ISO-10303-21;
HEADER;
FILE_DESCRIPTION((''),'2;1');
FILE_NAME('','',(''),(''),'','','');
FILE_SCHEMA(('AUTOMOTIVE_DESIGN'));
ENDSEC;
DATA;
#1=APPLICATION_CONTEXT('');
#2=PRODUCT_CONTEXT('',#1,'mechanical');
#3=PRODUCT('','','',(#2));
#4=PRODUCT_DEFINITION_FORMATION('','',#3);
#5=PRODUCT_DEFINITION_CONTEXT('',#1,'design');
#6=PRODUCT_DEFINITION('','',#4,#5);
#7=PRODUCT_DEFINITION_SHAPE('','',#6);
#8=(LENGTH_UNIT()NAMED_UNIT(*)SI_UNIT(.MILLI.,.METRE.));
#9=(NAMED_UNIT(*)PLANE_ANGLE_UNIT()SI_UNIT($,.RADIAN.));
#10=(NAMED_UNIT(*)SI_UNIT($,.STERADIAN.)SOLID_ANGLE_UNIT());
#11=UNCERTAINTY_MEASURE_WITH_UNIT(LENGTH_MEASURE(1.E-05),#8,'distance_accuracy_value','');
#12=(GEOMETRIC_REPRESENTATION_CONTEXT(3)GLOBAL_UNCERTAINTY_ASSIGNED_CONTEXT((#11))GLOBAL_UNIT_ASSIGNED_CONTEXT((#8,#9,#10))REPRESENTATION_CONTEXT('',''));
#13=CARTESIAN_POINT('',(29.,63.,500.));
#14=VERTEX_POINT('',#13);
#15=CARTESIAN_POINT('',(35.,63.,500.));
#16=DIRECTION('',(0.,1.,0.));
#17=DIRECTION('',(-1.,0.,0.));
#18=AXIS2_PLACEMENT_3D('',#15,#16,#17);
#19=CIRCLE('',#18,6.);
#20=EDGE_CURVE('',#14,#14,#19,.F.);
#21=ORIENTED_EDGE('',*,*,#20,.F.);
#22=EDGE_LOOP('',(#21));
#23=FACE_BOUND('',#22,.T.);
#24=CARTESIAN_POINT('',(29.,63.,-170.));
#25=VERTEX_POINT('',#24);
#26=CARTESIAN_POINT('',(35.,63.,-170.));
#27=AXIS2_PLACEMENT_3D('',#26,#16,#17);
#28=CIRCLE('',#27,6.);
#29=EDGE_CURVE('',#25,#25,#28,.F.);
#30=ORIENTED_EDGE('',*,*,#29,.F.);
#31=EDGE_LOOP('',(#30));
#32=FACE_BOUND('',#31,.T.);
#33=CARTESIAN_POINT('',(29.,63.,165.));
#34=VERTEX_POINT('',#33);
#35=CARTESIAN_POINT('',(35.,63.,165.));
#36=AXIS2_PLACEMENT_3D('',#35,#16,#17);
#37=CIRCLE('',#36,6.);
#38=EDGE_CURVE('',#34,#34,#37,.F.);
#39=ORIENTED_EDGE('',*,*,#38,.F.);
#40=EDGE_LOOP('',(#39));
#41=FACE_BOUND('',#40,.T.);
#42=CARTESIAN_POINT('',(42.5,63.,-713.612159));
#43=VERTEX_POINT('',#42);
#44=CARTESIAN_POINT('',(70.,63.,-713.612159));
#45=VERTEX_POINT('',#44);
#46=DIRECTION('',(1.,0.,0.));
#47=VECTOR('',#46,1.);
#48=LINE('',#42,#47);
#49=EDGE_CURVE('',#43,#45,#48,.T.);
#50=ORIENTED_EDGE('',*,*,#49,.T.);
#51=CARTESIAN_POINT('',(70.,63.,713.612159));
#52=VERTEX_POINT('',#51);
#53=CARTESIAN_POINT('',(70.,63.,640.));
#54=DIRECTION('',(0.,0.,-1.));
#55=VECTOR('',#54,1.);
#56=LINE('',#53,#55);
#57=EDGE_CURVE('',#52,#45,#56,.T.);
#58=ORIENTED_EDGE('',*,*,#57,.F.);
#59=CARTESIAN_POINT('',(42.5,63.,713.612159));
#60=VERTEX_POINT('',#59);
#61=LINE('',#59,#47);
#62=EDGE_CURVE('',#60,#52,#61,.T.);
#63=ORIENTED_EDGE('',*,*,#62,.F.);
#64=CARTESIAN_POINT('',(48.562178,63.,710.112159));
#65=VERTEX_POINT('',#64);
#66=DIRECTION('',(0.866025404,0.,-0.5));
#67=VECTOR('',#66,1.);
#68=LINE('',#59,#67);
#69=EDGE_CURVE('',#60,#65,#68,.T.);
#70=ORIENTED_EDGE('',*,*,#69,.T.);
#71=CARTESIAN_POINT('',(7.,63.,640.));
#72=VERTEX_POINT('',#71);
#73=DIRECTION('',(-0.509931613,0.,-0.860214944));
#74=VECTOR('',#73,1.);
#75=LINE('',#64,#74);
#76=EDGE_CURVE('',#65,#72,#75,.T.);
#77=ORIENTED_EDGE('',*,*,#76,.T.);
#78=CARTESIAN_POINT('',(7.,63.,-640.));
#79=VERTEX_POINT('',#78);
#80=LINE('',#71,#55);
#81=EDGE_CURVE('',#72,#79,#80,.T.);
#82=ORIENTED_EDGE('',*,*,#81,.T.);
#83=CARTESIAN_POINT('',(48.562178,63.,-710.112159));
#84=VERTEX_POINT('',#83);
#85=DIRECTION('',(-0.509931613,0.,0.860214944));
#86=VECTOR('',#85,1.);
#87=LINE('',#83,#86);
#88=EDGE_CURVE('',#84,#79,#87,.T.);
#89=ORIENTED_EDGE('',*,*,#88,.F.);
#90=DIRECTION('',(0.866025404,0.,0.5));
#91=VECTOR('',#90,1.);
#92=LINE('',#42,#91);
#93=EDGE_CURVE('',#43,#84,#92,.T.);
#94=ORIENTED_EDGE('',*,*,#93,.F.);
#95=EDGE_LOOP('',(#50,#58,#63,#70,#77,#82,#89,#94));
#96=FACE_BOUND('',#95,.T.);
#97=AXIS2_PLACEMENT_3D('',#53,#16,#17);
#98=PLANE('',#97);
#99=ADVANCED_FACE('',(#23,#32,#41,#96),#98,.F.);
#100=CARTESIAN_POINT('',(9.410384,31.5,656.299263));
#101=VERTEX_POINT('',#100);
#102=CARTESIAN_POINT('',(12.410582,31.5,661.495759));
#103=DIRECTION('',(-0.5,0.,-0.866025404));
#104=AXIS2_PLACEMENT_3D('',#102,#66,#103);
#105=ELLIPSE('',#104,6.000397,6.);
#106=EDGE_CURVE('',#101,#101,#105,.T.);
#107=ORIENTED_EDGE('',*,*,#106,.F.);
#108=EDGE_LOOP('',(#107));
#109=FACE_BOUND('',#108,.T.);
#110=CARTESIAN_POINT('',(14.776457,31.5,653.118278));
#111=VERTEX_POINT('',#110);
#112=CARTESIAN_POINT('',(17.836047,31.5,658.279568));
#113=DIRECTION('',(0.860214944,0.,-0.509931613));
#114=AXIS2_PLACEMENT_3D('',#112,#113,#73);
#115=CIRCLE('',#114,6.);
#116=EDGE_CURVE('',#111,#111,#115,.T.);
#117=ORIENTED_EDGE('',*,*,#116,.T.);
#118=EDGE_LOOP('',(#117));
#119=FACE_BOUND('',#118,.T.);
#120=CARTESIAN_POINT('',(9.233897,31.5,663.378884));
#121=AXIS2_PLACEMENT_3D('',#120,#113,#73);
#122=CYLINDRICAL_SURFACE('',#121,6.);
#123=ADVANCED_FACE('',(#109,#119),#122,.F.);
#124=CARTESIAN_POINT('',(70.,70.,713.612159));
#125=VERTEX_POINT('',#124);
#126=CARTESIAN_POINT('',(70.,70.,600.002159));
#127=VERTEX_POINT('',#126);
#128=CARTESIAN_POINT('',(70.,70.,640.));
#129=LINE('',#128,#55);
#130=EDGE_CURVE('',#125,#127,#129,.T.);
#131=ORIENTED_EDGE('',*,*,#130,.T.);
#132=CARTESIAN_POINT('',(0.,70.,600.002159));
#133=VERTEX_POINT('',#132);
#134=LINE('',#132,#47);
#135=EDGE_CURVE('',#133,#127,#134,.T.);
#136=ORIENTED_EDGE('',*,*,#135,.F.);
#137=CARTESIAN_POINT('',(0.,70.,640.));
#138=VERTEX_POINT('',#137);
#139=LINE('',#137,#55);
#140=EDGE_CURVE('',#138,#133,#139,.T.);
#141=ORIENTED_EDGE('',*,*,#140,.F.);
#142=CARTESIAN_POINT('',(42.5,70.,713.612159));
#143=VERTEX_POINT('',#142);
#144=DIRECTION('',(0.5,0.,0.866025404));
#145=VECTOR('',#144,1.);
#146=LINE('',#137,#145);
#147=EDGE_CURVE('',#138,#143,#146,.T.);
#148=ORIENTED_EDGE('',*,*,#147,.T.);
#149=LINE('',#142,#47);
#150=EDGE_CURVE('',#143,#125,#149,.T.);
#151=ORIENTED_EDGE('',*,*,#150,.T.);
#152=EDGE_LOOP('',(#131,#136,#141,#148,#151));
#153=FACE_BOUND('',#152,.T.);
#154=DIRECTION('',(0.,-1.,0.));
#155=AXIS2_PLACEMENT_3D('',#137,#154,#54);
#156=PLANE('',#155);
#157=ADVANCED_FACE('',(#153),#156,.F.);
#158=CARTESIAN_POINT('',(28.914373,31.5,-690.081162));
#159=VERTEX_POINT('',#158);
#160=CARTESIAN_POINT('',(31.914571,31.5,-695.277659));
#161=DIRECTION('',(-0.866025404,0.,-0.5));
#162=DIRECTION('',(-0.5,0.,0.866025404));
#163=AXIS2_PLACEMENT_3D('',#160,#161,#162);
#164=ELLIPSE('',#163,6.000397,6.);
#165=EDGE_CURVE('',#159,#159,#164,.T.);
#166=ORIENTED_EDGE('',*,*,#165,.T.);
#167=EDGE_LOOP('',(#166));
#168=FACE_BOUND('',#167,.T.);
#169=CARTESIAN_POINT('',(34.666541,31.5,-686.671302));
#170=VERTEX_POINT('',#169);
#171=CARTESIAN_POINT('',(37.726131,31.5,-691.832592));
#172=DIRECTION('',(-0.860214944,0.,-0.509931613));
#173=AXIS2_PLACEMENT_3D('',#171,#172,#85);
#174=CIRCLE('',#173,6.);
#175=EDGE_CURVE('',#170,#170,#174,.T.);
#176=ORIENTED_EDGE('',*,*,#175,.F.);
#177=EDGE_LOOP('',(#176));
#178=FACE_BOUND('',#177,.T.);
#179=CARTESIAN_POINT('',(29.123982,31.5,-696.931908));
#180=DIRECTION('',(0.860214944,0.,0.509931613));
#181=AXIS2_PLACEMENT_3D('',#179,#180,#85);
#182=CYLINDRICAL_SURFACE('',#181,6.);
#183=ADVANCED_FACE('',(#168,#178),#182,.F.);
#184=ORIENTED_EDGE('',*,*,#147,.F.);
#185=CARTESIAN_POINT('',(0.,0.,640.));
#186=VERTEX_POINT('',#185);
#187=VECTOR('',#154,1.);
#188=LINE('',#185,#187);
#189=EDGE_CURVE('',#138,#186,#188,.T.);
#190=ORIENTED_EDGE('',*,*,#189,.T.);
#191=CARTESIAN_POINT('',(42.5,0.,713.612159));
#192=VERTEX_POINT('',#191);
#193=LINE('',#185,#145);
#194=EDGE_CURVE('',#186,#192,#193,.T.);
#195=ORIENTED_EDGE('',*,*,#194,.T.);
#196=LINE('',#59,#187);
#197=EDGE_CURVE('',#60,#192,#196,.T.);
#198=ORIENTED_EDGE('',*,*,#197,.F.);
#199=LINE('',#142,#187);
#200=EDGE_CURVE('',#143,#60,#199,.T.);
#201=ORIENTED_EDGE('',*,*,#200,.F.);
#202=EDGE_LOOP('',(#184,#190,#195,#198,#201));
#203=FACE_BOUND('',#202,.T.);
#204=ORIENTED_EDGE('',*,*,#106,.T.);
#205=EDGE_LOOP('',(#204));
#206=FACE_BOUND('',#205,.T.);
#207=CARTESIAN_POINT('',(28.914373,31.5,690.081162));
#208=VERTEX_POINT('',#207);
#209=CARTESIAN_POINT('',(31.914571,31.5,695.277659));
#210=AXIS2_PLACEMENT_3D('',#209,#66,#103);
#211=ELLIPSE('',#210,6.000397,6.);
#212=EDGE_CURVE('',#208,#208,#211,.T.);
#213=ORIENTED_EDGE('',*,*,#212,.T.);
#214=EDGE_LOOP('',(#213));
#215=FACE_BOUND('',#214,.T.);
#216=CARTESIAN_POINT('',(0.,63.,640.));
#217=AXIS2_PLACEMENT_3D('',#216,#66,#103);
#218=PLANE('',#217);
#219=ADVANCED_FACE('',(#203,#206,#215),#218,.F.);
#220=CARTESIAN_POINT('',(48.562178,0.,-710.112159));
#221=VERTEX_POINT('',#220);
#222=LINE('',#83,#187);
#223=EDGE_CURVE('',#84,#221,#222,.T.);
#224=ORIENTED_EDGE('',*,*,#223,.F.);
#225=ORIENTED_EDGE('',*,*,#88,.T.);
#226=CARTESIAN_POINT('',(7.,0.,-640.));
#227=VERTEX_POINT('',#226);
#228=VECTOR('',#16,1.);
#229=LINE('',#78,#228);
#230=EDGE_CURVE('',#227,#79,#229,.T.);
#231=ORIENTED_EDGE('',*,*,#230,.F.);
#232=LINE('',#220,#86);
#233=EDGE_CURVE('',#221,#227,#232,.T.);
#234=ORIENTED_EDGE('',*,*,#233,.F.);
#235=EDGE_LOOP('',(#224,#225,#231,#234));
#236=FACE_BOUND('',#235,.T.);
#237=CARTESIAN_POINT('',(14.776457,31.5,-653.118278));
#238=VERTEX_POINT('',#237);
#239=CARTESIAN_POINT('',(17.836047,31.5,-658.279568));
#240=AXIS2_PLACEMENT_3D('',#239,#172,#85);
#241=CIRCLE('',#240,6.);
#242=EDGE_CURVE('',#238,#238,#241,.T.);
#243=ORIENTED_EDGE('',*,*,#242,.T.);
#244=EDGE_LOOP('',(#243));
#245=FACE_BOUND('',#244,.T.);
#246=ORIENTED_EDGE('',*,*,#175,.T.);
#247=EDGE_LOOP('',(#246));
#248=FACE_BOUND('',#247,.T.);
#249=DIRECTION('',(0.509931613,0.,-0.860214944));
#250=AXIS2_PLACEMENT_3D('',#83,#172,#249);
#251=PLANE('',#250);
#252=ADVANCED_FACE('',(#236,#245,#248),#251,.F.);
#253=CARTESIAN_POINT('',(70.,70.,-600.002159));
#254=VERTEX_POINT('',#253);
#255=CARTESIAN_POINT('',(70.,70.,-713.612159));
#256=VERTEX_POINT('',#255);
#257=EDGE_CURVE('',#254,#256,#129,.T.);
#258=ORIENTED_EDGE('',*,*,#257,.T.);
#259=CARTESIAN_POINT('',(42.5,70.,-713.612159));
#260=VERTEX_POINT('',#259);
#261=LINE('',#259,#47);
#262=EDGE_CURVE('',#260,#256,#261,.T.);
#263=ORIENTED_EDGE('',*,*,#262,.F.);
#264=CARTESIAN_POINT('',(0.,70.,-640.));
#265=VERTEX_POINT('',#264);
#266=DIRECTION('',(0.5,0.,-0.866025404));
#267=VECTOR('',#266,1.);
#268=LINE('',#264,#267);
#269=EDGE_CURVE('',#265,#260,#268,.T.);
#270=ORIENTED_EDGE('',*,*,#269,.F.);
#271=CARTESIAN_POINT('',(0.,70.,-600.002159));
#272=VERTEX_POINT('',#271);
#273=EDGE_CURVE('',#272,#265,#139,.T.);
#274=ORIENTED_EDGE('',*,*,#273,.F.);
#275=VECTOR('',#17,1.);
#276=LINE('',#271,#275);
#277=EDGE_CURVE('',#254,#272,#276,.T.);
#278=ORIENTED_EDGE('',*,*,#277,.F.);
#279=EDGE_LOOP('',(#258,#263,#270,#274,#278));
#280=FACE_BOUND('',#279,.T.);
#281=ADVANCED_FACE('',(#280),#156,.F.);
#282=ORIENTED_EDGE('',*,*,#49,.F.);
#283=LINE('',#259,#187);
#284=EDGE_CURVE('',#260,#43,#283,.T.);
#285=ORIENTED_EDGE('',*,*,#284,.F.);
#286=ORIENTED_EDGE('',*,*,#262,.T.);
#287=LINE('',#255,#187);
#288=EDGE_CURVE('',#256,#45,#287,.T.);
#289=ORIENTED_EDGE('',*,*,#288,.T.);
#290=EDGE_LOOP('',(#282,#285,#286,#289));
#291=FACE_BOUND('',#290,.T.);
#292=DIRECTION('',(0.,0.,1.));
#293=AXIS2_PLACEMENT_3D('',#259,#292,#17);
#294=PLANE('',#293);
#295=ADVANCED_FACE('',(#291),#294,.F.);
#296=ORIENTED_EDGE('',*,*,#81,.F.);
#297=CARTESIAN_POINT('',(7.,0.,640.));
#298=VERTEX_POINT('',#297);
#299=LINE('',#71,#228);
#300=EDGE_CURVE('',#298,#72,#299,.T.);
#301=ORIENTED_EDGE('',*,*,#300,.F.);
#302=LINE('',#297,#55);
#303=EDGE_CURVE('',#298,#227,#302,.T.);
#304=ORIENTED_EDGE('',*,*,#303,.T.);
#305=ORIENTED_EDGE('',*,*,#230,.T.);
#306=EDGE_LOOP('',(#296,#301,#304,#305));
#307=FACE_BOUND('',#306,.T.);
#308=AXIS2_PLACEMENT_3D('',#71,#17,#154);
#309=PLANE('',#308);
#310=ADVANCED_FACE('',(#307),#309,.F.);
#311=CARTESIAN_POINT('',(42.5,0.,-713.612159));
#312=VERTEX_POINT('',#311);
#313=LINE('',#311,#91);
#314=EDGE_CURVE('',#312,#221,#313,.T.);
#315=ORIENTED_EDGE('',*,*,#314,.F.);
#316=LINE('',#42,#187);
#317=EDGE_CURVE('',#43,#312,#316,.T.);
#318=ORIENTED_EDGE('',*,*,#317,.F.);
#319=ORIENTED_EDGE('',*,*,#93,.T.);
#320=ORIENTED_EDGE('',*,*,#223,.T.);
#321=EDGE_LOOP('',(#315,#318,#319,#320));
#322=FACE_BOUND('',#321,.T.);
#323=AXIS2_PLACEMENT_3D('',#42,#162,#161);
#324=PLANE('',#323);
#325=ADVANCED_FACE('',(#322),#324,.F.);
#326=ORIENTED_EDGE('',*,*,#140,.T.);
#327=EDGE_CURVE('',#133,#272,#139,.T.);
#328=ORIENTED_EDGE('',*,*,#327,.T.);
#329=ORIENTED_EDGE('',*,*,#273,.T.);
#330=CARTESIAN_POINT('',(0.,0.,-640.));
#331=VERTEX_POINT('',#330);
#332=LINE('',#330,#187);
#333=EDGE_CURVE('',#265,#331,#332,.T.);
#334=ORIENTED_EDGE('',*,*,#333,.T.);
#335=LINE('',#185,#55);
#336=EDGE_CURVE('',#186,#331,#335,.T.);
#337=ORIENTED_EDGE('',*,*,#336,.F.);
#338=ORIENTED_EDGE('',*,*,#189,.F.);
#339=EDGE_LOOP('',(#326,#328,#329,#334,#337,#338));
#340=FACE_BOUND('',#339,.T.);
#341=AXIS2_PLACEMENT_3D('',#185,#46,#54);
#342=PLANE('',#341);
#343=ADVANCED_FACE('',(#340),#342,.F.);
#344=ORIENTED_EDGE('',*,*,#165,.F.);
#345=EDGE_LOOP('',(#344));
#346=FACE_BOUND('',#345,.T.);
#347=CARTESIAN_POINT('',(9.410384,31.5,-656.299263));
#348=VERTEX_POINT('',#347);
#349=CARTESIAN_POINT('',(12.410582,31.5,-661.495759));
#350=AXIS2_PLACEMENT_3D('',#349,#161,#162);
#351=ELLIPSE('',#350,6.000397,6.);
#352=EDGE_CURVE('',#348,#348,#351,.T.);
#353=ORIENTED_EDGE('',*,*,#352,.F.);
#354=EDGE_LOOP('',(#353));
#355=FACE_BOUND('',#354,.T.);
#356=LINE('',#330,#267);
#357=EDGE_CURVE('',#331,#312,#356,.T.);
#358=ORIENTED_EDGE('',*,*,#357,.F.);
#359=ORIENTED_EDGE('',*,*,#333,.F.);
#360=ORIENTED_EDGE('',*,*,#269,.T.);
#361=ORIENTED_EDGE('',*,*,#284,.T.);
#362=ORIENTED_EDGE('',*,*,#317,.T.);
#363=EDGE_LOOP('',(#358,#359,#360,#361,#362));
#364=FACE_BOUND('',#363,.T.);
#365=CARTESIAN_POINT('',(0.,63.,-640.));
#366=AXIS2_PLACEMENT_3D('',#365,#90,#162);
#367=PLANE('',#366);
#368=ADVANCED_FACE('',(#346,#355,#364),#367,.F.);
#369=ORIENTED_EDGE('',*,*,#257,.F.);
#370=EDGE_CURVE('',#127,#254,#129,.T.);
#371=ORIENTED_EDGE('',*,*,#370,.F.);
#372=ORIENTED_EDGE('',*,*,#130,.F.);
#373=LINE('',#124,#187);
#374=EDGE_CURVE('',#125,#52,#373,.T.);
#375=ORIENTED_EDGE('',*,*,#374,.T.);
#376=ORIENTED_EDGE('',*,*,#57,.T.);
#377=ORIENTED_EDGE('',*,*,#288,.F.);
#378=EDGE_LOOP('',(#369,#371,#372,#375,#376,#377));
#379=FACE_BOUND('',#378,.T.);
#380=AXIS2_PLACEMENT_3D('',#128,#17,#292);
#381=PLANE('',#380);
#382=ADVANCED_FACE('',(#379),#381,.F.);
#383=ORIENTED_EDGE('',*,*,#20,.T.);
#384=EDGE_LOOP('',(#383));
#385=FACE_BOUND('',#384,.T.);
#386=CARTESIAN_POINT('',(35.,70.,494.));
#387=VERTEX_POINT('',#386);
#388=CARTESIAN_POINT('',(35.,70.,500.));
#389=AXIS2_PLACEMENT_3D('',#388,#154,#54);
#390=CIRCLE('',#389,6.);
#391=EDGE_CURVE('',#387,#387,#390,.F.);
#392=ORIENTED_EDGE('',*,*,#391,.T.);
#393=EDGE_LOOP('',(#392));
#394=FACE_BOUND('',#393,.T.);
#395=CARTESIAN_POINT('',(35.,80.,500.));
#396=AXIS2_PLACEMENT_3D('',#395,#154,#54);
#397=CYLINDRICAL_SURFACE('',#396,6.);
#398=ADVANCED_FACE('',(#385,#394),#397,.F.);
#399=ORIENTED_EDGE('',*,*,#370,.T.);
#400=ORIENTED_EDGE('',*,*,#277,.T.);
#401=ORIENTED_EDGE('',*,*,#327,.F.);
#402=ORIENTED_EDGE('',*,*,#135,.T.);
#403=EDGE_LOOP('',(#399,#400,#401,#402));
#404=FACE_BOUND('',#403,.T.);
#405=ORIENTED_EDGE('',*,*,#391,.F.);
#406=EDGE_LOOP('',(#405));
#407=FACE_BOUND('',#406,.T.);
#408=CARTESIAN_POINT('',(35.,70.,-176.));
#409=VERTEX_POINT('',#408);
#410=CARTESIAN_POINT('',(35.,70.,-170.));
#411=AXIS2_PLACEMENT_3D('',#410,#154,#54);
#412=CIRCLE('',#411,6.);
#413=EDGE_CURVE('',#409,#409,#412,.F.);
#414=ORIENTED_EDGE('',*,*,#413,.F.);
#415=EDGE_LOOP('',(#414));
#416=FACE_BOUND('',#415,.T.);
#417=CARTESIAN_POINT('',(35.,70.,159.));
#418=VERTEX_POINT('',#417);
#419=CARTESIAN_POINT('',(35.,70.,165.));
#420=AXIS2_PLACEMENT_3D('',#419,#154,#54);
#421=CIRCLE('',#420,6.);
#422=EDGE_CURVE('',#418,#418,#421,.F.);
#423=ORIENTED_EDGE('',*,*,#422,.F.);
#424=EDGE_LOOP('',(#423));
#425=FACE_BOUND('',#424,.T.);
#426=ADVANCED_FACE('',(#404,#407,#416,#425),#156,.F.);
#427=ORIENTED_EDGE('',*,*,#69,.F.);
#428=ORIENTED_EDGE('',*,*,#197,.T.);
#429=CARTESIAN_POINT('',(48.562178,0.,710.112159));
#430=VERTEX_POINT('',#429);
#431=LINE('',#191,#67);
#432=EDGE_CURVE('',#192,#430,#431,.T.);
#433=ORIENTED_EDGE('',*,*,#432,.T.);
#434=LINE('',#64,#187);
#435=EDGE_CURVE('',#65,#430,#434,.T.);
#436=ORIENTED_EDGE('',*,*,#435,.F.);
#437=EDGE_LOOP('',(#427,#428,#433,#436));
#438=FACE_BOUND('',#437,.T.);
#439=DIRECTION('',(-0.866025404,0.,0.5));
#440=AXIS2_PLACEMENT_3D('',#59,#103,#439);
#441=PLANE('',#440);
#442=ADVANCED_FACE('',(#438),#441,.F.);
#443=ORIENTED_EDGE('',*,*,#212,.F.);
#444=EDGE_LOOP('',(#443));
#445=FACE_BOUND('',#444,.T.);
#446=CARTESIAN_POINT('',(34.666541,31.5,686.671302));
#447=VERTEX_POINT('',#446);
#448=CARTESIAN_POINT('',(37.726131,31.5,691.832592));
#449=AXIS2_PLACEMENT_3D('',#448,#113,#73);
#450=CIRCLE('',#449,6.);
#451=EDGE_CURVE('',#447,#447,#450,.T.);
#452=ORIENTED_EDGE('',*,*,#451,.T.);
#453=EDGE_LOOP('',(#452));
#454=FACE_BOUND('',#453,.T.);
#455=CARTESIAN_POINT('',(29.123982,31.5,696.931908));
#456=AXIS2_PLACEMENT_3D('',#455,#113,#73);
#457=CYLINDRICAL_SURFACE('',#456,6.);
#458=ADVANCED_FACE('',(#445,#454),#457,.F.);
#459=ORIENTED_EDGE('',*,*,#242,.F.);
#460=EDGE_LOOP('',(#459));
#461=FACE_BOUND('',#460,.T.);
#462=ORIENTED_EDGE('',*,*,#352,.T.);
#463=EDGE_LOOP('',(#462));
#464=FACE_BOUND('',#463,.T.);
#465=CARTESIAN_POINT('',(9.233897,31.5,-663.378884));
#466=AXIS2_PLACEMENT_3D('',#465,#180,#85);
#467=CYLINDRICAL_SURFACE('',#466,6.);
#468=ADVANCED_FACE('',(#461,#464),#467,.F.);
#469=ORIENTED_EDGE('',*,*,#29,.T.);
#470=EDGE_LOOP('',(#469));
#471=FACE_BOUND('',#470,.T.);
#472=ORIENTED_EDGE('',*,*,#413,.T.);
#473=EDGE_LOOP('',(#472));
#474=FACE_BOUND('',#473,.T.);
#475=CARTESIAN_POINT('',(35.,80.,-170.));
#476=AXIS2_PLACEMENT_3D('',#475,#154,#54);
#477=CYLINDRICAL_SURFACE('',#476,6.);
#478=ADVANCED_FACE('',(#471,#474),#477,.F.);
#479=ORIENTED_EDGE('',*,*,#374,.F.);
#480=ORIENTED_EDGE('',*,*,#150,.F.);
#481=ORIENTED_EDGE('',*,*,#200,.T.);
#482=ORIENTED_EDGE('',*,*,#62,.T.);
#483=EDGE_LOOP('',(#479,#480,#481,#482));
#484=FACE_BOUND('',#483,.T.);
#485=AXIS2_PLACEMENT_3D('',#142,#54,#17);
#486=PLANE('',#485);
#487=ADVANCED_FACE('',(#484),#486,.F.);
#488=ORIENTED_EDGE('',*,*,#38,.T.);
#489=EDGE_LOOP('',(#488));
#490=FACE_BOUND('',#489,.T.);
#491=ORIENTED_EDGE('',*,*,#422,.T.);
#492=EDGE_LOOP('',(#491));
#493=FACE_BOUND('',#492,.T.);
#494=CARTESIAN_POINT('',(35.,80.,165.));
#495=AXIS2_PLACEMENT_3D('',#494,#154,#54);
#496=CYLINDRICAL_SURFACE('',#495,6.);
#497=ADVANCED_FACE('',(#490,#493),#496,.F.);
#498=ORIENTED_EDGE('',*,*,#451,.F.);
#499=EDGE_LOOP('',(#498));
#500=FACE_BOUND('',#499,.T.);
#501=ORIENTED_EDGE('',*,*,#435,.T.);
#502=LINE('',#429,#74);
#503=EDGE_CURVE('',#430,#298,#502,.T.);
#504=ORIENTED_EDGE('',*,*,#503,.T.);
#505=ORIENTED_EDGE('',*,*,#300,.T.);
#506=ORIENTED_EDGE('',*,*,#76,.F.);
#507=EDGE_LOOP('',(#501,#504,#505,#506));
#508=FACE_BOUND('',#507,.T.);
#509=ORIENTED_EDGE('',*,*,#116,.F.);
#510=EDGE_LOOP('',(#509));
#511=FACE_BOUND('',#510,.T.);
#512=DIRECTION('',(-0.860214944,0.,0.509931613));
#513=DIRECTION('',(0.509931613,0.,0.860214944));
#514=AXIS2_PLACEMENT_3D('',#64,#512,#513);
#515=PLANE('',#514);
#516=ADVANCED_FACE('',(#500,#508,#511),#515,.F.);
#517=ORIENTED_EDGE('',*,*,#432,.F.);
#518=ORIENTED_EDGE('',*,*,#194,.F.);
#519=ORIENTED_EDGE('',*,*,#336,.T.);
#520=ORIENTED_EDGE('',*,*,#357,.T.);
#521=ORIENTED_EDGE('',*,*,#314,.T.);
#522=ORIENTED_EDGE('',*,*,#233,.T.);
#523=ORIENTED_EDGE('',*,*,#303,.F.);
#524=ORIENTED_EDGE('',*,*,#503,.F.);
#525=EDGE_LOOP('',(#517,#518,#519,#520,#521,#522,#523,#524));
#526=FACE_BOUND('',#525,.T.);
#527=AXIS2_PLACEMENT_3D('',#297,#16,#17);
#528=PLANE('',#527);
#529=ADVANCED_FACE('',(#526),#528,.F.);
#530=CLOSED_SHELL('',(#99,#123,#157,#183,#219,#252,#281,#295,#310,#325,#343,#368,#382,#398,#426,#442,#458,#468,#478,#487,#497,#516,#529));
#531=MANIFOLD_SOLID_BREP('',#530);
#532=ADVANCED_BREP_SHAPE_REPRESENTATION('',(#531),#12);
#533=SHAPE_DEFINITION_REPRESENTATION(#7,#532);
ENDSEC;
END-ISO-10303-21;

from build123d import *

# Parameters (mm, degrees)
BOSS_EXTRUDE1_DEPTH     = 640
BOSS_EXTRUDE2_DEPTH     = 63
BOSS_EXTRUDE3_DEPTH     = 7
SKETCH26_R              = 6
CUT_EXTRUDE2_DEPTH      = 10
CUT_EXTRUDE1_DEPTH      = 10
CUT_EXTRUDE1_DEPTH_BACK = 10
SKETCH28_R              = 6


with BuildPart() as part:
    # Sketch1 → Boss-Extrude1 (new body)
    with BuildSketch(Plane.XY):
        Polygon((0, 0), (0, 70), (70, 70), (70, 63), (7, 63), (7, 0), align=None)
    extrude(amount=BOSS_EXTRUDE1_DEPTH)

    # Sketch23 → Boss-Extrude2 (add)
    with BuildSketch(Plane(origin=(0, 0, 0), x_dir=(1, 0, 0), z_dir=(0, 1, 0))):
        Polygon((0, -640), (42.5, -713.612159322), (48.562177826, -710.112159322), (7, -640), align=None)
    extrude(amount=BOSS_EXTRUDE2_DEPTH)

    # Sketch25 → Boss-Extrude3 (add)
    with BuildSketch(Plane(origin=(0, 63, 0), x_dir=(1, 0, 0), z_dir=(0, 1, 0))):
        Polygon((70, -640), (0, -640), (42.5, -713.612159322), (70, -713.612159322), align=None)
    extrude(amount=BOSS_EXTRUDE3_DEPTH)

    # Sketch26 → Cut-Extrude2 (cut)
    with BuildSketch(Plane(origin=(-275.556719825, 0, 163.348804279), x_dir=(-0.5099316128113042, 0, -0.8602149442178172), z_dir=(0.8602149442178172, 0, -0.5099316128113042))):
        with Locations((-614.36248118, 31.5)):
            Circle(SKETCH26_R)
        with Locations((-575.357085589, 31.5)):
            Circle(SKETCH26_R)
    extrude(amount=-CUT_EXTRUDE2_DEPTH, mode=Mode.SUBTRACT)

    # Mirror1: part across plane


with BuildPart() as part_1:
    add(part.part)
    add(part.part.mirror(Plane.XY))

    # Sketch28 → Cut-Extrude1 (cut, two sides: drawn at the far end of the back side and taken through both)
    with BuildSketch(Plane(origin=(0, 70, 0), x_dir=(1, 0, 0), z_dir=(0, 1, 0)).offset(-CUT_EXTRUDE1_DEPTH_BACK)):
        with Locations((35, -500)):
            Circle(SKETCH28_R)
        with Locations((35, -165)):
            Circle(SKETCH28_R)
        with Locations((35, 170)):
            Circle(SKETCH28_R)
    extrude(amount=CUT_EXTRUDE1_DEPTH + CUT_EXTRUDE1_DEPTH_BACK, mode=Mode.SUBTRACT)


solid = part_1.part
